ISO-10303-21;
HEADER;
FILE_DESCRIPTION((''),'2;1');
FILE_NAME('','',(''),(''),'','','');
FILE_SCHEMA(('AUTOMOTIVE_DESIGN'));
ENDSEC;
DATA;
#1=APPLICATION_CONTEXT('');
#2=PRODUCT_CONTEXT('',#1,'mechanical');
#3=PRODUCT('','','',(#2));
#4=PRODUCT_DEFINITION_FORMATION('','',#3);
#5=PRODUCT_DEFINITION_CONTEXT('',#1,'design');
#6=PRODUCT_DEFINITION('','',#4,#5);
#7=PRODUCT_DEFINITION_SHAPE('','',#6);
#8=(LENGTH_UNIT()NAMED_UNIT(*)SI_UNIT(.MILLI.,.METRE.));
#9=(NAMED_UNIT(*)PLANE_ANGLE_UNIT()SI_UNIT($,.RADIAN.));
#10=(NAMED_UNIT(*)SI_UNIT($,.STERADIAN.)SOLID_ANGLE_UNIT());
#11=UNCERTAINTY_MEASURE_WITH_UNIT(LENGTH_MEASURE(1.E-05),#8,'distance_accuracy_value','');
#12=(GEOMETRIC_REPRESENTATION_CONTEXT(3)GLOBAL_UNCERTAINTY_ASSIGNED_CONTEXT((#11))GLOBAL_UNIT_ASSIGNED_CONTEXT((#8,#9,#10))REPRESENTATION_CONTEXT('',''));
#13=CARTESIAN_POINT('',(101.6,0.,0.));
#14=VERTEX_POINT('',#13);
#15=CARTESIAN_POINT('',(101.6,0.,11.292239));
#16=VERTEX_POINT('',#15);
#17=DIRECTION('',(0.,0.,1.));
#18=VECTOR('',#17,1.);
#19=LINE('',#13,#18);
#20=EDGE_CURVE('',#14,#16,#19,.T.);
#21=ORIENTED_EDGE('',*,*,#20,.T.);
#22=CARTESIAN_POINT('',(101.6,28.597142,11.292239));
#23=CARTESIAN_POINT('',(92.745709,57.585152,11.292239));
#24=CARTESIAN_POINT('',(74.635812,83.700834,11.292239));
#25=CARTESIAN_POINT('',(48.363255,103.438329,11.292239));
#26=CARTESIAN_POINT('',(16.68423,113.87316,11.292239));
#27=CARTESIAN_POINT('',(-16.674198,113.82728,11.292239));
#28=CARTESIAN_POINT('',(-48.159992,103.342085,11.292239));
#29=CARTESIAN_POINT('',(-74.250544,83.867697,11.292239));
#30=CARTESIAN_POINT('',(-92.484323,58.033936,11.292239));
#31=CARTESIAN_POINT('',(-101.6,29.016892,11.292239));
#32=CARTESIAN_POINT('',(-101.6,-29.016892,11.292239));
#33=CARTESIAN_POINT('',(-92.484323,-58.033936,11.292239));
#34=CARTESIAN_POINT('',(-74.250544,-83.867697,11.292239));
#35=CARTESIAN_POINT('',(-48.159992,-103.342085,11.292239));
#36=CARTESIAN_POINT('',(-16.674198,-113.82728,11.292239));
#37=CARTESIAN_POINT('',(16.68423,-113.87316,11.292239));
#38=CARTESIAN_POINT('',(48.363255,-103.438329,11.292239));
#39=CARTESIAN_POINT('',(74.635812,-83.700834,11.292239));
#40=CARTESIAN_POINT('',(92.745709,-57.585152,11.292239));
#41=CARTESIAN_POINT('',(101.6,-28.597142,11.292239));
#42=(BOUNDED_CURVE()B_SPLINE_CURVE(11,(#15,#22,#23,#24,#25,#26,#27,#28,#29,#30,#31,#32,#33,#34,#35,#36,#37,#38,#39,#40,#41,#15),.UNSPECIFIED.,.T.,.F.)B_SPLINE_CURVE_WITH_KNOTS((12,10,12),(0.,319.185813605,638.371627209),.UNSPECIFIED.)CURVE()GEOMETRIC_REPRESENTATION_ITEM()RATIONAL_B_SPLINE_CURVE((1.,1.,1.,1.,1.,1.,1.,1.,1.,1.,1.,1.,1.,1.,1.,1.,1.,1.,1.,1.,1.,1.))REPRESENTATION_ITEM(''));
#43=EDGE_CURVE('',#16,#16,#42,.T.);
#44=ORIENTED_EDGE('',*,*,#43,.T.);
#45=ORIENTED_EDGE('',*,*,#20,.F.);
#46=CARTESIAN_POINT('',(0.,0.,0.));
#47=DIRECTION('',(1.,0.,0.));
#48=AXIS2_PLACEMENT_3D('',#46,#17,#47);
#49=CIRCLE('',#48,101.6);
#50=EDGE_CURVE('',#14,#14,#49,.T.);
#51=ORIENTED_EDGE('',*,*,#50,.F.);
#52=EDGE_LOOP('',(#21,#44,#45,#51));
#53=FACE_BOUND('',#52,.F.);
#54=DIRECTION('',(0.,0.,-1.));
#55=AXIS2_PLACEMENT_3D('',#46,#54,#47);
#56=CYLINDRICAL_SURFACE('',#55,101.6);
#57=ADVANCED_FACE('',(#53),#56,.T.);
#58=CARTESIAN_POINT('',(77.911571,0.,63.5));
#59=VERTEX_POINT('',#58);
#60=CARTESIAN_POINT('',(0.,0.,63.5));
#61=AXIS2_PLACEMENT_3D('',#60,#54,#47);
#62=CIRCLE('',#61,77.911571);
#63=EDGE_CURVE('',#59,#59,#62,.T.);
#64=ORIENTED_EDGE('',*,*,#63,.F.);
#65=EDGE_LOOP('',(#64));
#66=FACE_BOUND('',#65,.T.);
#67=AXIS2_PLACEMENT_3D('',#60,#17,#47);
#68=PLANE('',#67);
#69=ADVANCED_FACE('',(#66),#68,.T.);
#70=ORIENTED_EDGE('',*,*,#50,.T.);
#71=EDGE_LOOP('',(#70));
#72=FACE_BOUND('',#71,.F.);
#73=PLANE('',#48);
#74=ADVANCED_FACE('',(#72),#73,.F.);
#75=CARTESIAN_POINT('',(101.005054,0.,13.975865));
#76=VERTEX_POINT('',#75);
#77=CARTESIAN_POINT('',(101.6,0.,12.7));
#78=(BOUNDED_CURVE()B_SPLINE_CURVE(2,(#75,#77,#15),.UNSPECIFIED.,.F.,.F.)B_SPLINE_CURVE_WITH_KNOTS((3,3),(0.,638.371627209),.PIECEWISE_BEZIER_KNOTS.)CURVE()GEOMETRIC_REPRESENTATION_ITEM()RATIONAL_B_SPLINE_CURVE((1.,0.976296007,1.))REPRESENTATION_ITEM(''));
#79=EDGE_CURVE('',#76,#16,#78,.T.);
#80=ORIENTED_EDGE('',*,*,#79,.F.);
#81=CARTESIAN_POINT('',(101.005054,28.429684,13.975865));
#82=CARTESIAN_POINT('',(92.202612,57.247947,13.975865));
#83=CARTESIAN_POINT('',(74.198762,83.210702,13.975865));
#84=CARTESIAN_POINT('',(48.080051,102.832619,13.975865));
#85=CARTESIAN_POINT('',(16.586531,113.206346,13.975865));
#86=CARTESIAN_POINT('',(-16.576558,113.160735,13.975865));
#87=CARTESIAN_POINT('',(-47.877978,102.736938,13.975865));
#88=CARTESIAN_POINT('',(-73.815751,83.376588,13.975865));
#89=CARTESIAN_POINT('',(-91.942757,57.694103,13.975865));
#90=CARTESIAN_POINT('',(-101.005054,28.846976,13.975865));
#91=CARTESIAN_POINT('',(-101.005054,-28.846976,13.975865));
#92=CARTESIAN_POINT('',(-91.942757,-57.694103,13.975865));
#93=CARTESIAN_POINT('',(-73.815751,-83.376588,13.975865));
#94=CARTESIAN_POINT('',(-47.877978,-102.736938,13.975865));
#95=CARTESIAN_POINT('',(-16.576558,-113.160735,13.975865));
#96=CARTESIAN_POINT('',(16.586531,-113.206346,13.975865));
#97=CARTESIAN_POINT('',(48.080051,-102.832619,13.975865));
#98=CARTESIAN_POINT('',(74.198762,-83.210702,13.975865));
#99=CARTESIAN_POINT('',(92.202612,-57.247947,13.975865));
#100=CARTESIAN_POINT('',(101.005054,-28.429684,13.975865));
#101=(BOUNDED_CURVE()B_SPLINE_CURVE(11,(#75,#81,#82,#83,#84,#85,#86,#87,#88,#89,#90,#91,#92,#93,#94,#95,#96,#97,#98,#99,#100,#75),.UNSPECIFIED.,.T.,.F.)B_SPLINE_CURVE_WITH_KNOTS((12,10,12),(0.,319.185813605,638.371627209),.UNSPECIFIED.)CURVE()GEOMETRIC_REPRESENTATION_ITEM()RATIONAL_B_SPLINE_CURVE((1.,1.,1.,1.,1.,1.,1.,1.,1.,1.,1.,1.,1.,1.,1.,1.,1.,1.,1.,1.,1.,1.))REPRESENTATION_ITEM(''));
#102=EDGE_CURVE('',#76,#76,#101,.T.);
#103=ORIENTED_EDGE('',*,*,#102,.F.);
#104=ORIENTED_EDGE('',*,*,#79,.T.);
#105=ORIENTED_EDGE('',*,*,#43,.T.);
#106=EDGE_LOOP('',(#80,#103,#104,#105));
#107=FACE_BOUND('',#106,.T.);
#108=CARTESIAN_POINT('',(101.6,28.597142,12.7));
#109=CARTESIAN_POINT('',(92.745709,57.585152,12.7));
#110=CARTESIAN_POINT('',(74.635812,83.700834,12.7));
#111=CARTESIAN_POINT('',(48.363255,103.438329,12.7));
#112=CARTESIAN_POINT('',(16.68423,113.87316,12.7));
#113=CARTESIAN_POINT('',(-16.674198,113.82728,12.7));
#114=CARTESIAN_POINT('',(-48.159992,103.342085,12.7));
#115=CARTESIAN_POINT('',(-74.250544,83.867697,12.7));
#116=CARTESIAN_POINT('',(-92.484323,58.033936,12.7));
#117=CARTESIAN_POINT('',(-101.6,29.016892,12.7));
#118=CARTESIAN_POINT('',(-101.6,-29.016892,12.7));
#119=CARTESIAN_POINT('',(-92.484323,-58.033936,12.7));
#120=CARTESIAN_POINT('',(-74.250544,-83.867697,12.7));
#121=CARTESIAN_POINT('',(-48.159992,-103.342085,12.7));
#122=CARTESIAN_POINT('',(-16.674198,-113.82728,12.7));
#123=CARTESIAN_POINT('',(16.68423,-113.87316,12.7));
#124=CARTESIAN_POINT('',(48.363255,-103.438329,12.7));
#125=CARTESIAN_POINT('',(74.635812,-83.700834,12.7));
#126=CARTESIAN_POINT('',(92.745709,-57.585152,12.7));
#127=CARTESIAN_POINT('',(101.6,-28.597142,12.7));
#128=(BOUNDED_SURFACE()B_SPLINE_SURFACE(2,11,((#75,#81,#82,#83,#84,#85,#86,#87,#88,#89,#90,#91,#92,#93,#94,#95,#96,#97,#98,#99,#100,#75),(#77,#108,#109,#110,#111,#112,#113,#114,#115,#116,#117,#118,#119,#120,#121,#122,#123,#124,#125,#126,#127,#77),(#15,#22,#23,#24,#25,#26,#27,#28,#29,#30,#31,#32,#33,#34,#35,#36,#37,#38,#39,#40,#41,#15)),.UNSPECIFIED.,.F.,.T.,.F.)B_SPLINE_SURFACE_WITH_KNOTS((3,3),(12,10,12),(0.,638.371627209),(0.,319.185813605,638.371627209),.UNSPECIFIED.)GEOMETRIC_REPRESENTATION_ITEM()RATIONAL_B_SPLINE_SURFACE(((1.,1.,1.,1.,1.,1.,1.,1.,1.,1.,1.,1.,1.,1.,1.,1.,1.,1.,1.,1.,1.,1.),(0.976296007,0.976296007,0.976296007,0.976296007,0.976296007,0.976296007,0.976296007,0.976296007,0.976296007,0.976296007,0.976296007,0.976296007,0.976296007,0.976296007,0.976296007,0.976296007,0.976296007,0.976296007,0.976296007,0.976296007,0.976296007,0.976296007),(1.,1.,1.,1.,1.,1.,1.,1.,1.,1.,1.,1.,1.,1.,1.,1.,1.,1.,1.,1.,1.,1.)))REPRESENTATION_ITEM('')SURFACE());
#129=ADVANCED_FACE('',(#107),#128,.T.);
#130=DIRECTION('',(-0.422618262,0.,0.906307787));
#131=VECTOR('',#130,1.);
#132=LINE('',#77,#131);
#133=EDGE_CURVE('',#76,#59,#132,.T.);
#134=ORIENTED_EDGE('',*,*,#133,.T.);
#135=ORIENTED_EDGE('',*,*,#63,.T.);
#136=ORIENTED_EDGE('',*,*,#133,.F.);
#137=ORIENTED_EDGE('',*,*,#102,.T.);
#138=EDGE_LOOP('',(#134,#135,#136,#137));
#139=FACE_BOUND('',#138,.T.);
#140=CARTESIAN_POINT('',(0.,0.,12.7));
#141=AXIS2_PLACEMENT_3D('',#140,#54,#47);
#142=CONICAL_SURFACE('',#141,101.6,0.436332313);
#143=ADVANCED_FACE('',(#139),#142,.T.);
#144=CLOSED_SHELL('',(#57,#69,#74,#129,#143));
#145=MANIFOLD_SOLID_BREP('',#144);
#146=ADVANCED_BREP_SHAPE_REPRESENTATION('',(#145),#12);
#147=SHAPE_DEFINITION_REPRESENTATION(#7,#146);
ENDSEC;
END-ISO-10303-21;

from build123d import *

# Parameters (mm, degrees)
F0_R      = 101.6
F1_DEPTH  = 12.7
F1_FACE_R = 101.6
F2_DEPTH  = 50.8
F2_TAPER  = 25
F3_R      = 6.35


with BuildPart() as f1:
    # F0 (on Top) → F1 (new body)
    with BuildSketch(Plane.XY):
        Circle(F0_R)
    extrude(amount=F1_DEPTH)

    # F1_face (on face) → F2 (join)
    with BuildSketch(Plane.XY.offset(12.7)):
        Circle(F1_FACE_R)
    extrude(amount=F2_DEPTH, taper=F2_TAPER)

    # F3
    f3_edges = [f1.edges().sort_by_distance(p)[0] for p in [
        (-101.6, 0, 12.7),
    ]]
    fillet(f3_edges, radius=F3_R)


solid = f1.part
